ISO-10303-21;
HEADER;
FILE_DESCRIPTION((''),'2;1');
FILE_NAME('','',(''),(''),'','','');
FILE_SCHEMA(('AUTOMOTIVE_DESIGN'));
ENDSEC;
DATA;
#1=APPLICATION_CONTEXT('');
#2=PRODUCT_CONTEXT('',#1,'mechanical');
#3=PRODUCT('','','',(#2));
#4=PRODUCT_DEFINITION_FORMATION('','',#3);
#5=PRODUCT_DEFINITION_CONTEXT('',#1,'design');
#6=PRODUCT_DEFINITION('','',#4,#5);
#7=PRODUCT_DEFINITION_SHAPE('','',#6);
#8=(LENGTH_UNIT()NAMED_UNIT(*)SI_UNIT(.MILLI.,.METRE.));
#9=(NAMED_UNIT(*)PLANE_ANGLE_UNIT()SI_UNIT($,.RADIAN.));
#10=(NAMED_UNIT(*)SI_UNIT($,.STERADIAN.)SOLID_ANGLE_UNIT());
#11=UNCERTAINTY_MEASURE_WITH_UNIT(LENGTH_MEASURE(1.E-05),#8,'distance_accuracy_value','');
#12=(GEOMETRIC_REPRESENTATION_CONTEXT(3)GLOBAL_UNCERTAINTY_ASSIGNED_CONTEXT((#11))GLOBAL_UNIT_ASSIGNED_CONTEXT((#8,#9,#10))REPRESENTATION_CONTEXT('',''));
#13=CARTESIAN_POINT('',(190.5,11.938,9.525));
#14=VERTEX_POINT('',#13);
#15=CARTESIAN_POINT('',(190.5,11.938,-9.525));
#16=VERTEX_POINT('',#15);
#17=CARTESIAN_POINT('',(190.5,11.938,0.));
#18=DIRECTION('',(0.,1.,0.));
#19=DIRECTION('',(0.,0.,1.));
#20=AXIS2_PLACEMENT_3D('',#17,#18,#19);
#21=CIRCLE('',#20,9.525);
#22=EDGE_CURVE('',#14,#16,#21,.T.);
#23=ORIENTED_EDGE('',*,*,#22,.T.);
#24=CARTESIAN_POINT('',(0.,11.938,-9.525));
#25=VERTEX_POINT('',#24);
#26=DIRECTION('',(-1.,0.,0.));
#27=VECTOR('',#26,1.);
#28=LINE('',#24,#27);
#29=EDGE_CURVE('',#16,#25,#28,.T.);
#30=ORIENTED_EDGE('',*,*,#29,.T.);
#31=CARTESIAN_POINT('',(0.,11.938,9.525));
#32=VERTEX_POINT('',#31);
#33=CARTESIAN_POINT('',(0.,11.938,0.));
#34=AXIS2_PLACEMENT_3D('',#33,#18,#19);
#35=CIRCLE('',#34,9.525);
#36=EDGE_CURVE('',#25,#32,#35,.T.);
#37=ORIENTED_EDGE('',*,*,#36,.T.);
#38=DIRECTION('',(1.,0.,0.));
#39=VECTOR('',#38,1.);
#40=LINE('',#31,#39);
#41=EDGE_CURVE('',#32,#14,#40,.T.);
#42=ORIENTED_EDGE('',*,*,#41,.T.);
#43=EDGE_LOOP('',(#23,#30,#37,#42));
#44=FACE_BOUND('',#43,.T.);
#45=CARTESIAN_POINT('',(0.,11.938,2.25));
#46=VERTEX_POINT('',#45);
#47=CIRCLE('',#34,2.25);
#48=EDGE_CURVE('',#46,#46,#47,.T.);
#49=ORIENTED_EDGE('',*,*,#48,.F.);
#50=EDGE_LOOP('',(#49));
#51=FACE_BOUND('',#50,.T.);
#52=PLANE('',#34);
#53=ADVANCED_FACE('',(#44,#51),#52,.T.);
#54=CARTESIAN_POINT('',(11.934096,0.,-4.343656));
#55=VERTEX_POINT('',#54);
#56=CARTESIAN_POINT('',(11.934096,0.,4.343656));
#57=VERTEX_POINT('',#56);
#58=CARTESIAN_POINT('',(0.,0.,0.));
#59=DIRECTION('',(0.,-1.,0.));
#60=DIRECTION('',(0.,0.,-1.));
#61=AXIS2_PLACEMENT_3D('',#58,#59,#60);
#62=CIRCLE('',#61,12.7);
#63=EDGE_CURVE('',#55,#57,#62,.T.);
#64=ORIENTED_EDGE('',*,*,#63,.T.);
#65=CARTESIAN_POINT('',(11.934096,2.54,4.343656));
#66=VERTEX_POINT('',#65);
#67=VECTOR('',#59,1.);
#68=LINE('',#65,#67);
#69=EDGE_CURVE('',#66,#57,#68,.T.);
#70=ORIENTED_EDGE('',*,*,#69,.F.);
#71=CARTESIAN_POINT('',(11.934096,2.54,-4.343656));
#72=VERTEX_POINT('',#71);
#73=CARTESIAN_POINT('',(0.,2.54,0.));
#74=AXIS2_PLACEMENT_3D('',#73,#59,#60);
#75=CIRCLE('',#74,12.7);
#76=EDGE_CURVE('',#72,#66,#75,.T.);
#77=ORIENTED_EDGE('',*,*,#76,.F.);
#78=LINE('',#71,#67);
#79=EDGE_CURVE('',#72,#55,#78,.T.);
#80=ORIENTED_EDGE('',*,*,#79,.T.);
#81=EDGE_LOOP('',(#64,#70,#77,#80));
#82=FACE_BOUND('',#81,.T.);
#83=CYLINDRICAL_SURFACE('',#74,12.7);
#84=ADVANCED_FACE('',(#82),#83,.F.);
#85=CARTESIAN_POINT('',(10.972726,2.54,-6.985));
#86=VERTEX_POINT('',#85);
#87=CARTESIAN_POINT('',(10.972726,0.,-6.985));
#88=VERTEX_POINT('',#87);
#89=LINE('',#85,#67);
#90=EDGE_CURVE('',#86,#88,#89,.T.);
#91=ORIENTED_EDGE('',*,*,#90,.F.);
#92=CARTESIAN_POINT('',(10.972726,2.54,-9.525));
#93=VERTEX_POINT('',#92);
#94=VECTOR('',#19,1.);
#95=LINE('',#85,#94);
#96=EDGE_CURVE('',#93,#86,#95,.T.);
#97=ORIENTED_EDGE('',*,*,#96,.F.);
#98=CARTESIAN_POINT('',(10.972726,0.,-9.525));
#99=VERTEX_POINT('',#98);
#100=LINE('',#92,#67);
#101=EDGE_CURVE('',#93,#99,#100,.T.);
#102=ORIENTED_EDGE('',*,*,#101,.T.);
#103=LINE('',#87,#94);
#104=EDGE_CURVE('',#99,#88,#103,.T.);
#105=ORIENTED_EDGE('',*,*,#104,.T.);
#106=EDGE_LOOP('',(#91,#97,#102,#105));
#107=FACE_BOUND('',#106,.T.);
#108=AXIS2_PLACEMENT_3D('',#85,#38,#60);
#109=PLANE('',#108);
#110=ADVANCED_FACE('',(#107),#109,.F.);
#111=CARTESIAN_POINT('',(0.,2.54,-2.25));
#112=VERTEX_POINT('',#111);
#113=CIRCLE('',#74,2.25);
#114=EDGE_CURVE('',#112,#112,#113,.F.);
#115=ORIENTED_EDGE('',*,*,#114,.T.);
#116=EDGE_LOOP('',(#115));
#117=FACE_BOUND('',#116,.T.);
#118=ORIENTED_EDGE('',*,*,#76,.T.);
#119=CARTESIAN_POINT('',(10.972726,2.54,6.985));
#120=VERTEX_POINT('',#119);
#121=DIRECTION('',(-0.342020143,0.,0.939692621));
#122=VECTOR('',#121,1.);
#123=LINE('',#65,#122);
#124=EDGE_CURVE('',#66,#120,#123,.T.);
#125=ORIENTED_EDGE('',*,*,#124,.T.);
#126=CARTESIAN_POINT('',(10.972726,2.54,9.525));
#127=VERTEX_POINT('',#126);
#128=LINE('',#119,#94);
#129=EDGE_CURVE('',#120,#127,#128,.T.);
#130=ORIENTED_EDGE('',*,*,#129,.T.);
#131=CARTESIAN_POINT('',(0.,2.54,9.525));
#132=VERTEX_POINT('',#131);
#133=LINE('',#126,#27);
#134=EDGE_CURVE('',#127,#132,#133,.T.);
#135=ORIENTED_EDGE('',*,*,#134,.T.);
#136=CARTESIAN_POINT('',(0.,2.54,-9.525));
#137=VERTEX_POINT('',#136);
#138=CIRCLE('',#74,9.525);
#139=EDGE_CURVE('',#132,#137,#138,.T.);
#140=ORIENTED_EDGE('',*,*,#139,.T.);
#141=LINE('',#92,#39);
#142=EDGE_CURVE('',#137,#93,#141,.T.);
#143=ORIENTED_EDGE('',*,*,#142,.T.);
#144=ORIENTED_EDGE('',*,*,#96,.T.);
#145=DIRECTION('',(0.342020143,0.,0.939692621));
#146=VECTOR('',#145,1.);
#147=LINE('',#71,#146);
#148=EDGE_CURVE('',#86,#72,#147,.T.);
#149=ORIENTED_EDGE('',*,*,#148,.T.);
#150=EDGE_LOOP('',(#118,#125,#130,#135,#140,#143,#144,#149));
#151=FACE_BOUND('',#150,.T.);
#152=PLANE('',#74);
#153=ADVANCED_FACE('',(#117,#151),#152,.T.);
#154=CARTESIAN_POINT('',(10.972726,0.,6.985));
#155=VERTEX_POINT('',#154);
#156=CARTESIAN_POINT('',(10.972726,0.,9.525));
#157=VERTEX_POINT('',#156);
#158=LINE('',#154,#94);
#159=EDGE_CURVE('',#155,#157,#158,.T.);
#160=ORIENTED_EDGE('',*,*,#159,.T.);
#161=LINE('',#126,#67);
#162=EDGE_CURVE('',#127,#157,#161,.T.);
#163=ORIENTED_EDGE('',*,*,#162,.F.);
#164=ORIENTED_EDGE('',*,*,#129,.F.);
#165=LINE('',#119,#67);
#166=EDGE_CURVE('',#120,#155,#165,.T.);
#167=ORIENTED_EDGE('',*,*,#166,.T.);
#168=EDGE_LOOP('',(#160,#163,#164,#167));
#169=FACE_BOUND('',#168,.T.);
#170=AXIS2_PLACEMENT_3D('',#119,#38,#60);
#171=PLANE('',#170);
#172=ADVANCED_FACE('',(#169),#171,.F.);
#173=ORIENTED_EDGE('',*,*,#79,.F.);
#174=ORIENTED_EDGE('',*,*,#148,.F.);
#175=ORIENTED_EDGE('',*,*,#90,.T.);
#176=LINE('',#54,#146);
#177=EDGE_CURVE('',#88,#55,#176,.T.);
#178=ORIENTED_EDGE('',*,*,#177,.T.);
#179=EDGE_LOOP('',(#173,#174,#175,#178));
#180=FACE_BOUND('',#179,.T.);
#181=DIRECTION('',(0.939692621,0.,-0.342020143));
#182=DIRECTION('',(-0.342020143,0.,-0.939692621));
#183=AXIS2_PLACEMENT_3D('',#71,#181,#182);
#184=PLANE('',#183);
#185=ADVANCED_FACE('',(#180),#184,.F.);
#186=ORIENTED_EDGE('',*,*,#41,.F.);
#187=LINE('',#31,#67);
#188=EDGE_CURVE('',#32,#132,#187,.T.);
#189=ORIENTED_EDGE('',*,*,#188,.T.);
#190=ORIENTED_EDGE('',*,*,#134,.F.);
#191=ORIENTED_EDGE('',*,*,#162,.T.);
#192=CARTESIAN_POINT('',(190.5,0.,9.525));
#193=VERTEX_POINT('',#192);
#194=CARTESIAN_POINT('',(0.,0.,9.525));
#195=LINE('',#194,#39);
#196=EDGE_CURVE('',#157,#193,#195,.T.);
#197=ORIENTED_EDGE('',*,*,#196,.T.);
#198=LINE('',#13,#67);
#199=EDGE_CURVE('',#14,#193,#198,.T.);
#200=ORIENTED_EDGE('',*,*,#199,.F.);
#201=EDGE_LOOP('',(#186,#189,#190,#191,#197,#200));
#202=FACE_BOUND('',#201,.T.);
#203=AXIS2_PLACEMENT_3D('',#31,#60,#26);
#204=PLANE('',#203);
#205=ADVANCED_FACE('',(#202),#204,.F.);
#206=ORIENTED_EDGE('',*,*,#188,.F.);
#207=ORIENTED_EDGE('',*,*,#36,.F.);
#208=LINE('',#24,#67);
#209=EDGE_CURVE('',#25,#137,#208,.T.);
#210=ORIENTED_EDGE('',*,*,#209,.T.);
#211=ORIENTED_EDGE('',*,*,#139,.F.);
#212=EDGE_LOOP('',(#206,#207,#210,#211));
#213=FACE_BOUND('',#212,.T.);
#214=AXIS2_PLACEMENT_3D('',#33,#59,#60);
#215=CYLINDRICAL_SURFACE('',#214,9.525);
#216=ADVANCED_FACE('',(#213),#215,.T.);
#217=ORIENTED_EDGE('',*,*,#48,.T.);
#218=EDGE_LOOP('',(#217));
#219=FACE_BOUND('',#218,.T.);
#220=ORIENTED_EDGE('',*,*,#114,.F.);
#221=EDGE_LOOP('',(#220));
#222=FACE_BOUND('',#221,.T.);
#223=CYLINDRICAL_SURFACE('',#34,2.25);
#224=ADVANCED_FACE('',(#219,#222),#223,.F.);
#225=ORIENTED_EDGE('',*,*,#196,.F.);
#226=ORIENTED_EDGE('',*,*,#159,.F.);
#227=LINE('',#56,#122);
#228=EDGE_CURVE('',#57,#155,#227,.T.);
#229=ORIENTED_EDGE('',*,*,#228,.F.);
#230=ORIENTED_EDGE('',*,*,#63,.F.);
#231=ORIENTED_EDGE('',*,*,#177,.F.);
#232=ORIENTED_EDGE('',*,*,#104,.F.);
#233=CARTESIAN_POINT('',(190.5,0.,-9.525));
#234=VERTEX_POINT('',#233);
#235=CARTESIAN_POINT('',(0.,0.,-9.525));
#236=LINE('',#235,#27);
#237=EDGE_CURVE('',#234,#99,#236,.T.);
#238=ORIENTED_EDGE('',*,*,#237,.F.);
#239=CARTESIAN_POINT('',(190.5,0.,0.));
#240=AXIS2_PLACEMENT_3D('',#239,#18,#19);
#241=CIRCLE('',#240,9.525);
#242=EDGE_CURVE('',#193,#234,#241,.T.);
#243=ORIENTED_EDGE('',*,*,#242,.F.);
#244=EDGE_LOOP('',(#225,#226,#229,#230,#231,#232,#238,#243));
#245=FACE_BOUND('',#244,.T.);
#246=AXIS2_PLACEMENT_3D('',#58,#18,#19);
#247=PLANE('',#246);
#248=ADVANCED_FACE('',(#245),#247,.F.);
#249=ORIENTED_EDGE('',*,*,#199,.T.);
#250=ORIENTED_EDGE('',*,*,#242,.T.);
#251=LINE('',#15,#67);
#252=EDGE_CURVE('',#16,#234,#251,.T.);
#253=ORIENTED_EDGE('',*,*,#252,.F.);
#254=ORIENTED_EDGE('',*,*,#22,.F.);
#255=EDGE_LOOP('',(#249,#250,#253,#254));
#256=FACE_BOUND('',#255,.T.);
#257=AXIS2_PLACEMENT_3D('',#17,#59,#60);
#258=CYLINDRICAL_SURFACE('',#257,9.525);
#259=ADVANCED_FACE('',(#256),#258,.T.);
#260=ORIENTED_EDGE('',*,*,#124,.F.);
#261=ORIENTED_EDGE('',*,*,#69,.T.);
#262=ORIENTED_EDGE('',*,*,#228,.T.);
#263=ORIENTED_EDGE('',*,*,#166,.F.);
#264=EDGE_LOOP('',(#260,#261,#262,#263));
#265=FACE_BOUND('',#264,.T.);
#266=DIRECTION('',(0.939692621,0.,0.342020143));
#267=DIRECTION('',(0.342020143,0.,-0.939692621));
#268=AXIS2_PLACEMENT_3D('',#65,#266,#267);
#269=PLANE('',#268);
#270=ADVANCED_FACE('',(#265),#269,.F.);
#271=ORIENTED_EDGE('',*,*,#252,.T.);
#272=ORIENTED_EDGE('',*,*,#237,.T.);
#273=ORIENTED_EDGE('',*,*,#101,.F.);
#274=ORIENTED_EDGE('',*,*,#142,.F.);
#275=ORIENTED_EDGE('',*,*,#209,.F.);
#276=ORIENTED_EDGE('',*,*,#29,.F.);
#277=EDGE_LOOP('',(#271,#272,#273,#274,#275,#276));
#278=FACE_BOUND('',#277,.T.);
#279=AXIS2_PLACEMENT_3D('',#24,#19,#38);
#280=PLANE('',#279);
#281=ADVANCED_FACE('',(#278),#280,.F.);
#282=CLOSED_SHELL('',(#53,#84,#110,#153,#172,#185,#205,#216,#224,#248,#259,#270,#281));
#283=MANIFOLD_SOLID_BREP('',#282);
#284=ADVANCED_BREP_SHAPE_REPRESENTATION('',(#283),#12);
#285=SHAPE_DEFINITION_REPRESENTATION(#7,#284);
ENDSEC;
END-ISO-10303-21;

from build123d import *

# Parameters (mm, degrees)
BOSS_EXTRUDE1_DEPTH        = 11.938
F_4_5_4_5_DIAMETER_HOLE1_D = 4.5
CUT_EXTRUDE1_DEPTH         = 2.54


with BuildPart() as part:
    # Sketch1 → Boss-Extrude1 (new body)
    with BuildSketch(Plane(origin=(0, 0, 0), x_dir=(1, 0, 0), z_dir=(0, 1, 0))):
        with BuildLine():
            Line((0, 9.525), (190.5, 9.525))
            ThreePointArc((190.5, 9.525), (200.025, 0), (190.5, -9.525))
            Line((190.5, -9.525), (0, -9.525))
            ThreePointArc((0, -9.525), (-9.525, 0), (0, 9.525))
        make_face()
    extrude(amount=BOSS_EXTRUDE1_DEPTH)

    # Ø4.5 (4.5) Diameter Hole1 (through all)
    with Locations(Plane(origin=(0, 11.938, 0), x_dir=(1, 0, 0), z_dir=(0, 1, 0))):
        with Locations((0, 0)):
            Hole(F_4_5_4_5_DIAMETER_HOLE1_D / 2)

    # Sketch5 → Cut-Extrude1 (cut)
    with BuildSketch(Plane.XZ):
        with BuildLine():
            Line((10.972725624, 9.525), (0, 9.525))
            ThreePointArc((0, 9.525), (-9.525, 0), (0, -9.525))
            Line((0, -9.525), (10.972725624, -9.525))
            Line((10.972725624, -9.525), (10.972725624, -6.985))
            Line((10.972725624, -6.985), (11.934096284, -4.34365582))
            ThreePointArc((11.934096284, -4.34365582), (12.7, 0), (11.934096284, 4.34365582))
            Line((11.934096284, 4.34365582), (10.972725624, 6.985))
            Line((10.972725624, 6.985), (10.972725624, 9.525))
        make_face()
    extrude(amount=-CUT_EXTRUDE1_DEPTH, mode=Mode.SUBTRACT)


solid = part.part
